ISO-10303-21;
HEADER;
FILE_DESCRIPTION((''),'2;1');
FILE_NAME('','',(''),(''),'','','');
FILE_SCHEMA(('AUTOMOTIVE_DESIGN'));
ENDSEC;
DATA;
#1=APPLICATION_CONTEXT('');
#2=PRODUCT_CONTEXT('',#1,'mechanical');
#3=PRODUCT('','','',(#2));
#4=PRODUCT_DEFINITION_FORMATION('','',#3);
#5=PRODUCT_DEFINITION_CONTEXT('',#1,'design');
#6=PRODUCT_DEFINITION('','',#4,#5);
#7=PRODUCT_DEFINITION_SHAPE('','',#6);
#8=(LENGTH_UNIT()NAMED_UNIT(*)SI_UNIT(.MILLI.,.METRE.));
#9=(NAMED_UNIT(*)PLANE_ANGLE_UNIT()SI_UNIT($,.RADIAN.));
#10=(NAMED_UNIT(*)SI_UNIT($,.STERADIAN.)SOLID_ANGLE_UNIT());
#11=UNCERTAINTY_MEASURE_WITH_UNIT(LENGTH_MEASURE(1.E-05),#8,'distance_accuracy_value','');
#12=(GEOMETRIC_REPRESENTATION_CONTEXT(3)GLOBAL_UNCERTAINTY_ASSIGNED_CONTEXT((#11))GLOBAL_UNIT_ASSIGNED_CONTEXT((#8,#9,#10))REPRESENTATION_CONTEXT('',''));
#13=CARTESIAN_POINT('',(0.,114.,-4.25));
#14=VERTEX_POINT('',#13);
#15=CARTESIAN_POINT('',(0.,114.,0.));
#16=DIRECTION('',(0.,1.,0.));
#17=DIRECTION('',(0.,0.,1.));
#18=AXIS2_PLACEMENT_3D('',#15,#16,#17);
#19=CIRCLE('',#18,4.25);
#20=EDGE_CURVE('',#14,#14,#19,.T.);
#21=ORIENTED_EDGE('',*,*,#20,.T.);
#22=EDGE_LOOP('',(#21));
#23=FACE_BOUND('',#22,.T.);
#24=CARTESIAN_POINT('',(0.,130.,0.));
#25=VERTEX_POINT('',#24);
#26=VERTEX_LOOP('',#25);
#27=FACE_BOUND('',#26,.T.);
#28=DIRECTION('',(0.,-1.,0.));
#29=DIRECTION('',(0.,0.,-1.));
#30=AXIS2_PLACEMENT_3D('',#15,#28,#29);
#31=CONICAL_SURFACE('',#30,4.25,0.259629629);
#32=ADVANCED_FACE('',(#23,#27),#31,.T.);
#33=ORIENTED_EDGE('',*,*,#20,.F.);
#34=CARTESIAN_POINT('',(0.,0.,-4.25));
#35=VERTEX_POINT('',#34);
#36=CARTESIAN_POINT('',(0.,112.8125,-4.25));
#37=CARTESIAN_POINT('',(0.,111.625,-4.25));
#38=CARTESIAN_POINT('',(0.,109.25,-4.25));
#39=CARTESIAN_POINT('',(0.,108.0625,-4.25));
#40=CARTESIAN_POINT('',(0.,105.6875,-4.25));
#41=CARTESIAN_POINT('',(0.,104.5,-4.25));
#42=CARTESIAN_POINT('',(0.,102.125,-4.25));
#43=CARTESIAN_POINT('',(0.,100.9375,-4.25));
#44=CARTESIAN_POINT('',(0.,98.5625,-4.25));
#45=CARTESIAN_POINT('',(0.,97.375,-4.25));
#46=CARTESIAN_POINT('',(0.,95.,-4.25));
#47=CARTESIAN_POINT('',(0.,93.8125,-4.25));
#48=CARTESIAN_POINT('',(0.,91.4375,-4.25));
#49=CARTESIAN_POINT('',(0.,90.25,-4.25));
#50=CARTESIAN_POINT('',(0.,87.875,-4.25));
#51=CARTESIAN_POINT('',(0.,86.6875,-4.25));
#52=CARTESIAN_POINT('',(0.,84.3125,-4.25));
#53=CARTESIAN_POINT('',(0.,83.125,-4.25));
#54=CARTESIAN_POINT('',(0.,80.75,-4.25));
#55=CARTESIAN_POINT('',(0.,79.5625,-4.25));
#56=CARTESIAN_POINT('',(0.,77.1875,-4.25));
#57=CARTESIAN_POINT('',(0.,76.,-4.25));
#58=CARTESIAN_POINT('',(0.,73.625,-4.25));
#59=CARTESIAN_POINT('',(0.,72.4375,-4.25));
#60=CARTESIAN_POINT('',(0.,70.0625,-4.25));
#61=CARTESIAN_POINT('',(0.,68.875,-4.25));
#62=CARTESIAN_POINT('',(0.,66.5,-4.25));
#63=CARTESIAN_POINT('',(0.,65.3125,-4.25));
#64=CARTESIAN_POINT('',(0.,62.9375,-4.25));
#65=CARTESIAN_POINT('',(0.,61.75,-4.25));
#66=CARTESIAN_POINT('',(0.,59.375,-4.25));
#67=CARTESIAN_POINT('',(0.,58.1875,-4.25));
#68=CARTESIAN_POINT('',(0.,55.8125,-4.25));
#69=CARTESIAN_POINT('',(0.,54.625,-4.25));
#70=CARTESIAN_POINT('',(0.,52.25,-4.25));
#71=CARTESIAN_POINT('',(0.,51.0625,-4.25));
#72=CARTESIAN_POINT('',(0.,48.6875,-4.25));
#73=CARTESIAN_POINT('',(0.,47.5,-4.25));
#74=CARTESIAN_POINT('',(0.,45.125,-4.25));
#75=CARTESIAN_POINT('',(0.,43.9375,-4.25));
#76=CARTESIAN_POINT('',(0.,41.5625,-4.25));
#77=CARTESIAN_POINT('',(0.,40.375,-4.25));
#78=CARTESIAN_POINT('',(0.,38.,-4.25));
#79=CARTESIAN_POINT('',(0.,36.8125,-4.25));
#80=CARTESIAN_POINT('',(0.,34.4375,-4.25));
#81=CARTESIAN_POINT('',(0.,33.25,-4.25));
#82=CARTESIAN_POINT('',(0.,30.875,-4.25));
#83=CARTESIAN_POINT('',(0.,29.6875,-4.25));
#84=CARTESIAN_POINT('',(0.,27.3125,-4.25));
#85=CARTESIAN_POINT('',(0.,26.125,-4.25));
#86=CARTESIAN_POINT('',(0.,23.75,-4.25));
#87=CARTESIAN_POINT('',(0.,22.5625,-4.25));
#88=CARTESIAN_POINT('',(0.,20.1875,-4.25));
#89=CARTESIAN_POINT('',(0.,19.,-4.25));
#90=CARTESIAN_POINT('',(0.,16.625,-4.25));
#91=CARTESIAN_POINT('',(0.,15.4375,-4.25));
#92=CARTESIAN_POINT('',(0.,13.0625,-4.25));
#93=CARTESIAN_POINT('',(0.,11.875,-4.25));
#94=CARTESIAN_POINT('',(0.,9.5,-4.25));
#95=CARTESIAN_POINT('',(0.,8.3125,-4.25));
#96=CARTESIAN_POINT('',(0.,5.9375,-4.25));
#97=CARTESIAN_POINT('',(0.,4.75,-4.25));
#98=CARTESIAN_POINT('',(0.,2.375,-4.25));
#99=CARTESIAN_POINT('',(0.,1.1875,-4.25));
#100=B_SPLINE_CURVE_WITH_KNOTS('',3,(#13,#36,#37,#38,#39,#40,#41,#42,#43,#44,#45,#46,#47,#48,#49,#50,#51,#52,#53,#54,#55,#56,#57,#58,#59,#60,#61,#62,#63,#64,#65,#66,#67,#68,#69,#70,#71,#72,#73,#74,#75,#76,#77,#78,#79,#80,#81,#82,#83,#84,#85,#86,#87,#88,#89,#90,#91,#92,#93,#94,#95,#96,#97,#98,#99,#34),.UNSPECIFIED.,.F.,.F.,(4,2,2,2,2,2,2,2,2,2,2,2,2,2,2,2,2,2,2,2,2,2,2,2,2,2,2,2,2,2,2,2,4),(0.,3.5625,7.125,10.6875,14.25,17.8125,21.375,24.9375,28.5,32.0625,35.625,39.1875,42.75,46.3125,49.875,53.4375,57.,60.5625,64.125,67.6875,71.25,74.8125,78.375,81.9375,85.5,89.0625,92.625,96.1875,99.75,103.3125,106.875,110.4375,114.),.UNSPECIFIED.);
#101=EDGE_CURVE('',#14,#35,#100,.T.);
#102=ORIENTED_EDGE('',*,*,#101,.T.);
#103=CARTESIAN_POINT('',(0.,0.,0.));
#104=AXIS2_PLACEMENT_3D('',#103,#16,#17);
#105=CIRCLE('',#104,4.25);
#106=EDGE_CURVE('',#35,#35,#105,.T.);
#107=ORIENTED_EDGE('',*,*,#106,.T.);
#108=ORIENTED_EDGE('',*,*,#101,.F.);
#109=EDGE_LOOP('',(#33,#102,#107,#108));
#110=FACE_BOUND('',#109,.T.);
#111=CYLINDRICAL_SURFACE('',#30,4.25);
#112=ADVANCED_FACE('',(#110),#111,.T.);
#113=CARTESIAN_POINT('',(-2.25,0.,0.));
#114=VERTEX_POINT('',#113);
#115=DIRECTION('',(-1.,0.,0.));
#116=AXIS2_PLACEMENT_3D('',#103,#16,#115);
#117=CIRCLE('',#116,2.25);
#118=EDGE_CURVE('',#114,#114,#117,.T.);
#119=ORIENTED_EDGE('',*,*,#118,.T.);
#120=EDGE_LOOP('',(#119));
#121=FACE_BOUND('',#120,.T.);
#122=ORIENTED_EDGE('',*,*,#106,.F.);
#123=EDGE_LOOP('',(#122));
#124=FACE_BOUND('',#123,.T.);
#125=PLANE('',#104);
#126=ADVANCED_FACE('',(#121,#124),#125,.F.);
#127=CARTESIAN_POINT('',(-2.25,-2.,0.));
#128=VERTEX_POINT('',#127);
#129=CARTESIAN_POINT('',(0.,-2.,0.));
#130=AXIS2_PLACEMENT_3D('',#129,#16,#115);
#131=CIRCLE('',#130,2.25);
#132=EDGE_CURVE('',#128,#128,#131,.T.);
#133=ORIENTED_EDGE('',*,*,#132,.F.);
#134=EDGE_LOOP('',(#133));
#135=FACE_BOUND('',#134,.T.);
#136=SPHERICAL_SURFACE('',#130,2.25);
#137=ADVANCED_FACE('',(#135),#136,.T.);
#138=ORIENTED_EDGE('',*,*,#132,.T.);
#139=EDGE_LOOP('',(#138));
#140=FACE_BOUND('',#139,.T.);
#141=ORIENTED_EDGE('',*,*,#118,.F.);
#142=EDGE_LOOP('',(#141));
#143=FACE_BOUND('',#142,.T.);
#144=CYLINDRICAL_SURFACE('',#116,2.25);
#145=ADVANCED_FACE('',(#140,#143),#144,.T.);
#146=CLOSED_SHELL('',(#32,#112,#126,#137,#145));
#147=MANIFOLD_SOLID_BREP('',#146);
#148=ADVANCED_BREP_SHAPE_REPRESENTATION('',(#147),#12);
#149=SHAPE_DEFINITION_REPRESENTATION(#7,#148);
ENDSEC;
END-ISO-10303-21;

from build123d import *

# Parameters (mm, degrees)
SKETCH1_R           = 4.25
BOSS_EXTRUDE1_DEPTH = 114


with BuildPart() as part:
    # Sketch1 → Boss-Extrude1 (new body)
    with BuildSketch(Plane(origin=(0, 0, 0), x_dir=(1, 0, 0), z_dir=(0, 1, 0))):
        with Locations(Location((0, 0, 0), (0, 0, 90))):
            Circle(SKETCH1_R)
    extrude(amount=BOSS_EXTRUDE1_DEPTH)

    # Sketch2 → Revolve1 (revolve)
    with BuildSketch(Plane.XY, mode=Mode.PRIVATE) as revolve1_sk:
        with BuildLine():
            Line((2.25, 0), (2.25, -2))
            ThreePointArc((2.25, -2), (1.590990258, -3.590990258), (0, -4.25))
            Line((0, -4.25), (0, 0))
            Line((0, 0), (2.25, 0))
        make_face()
    revolve(revolve1_sk.sketch.rotate(Axis((0, 0, 0), (0, -1, 0)), 180), axis=Axis((0, 0, 0), (0, -1, 0)))

    # Sketch3 → Revolve2 (revolve)
    with BuildSketch(Plane.XY, mode=Mode.PRIVATE) as revolve2_sk:
        Polygon((0, 114), (0, 130), (4.25, 114), align=None)
    revolve(revolve2_sk.sketch.rotate(Axis((0, 114, 0), (0, 1, 0)), 90), axis=Axis((0, 114, 0), (0, 1, 0)))


solid = part.part
